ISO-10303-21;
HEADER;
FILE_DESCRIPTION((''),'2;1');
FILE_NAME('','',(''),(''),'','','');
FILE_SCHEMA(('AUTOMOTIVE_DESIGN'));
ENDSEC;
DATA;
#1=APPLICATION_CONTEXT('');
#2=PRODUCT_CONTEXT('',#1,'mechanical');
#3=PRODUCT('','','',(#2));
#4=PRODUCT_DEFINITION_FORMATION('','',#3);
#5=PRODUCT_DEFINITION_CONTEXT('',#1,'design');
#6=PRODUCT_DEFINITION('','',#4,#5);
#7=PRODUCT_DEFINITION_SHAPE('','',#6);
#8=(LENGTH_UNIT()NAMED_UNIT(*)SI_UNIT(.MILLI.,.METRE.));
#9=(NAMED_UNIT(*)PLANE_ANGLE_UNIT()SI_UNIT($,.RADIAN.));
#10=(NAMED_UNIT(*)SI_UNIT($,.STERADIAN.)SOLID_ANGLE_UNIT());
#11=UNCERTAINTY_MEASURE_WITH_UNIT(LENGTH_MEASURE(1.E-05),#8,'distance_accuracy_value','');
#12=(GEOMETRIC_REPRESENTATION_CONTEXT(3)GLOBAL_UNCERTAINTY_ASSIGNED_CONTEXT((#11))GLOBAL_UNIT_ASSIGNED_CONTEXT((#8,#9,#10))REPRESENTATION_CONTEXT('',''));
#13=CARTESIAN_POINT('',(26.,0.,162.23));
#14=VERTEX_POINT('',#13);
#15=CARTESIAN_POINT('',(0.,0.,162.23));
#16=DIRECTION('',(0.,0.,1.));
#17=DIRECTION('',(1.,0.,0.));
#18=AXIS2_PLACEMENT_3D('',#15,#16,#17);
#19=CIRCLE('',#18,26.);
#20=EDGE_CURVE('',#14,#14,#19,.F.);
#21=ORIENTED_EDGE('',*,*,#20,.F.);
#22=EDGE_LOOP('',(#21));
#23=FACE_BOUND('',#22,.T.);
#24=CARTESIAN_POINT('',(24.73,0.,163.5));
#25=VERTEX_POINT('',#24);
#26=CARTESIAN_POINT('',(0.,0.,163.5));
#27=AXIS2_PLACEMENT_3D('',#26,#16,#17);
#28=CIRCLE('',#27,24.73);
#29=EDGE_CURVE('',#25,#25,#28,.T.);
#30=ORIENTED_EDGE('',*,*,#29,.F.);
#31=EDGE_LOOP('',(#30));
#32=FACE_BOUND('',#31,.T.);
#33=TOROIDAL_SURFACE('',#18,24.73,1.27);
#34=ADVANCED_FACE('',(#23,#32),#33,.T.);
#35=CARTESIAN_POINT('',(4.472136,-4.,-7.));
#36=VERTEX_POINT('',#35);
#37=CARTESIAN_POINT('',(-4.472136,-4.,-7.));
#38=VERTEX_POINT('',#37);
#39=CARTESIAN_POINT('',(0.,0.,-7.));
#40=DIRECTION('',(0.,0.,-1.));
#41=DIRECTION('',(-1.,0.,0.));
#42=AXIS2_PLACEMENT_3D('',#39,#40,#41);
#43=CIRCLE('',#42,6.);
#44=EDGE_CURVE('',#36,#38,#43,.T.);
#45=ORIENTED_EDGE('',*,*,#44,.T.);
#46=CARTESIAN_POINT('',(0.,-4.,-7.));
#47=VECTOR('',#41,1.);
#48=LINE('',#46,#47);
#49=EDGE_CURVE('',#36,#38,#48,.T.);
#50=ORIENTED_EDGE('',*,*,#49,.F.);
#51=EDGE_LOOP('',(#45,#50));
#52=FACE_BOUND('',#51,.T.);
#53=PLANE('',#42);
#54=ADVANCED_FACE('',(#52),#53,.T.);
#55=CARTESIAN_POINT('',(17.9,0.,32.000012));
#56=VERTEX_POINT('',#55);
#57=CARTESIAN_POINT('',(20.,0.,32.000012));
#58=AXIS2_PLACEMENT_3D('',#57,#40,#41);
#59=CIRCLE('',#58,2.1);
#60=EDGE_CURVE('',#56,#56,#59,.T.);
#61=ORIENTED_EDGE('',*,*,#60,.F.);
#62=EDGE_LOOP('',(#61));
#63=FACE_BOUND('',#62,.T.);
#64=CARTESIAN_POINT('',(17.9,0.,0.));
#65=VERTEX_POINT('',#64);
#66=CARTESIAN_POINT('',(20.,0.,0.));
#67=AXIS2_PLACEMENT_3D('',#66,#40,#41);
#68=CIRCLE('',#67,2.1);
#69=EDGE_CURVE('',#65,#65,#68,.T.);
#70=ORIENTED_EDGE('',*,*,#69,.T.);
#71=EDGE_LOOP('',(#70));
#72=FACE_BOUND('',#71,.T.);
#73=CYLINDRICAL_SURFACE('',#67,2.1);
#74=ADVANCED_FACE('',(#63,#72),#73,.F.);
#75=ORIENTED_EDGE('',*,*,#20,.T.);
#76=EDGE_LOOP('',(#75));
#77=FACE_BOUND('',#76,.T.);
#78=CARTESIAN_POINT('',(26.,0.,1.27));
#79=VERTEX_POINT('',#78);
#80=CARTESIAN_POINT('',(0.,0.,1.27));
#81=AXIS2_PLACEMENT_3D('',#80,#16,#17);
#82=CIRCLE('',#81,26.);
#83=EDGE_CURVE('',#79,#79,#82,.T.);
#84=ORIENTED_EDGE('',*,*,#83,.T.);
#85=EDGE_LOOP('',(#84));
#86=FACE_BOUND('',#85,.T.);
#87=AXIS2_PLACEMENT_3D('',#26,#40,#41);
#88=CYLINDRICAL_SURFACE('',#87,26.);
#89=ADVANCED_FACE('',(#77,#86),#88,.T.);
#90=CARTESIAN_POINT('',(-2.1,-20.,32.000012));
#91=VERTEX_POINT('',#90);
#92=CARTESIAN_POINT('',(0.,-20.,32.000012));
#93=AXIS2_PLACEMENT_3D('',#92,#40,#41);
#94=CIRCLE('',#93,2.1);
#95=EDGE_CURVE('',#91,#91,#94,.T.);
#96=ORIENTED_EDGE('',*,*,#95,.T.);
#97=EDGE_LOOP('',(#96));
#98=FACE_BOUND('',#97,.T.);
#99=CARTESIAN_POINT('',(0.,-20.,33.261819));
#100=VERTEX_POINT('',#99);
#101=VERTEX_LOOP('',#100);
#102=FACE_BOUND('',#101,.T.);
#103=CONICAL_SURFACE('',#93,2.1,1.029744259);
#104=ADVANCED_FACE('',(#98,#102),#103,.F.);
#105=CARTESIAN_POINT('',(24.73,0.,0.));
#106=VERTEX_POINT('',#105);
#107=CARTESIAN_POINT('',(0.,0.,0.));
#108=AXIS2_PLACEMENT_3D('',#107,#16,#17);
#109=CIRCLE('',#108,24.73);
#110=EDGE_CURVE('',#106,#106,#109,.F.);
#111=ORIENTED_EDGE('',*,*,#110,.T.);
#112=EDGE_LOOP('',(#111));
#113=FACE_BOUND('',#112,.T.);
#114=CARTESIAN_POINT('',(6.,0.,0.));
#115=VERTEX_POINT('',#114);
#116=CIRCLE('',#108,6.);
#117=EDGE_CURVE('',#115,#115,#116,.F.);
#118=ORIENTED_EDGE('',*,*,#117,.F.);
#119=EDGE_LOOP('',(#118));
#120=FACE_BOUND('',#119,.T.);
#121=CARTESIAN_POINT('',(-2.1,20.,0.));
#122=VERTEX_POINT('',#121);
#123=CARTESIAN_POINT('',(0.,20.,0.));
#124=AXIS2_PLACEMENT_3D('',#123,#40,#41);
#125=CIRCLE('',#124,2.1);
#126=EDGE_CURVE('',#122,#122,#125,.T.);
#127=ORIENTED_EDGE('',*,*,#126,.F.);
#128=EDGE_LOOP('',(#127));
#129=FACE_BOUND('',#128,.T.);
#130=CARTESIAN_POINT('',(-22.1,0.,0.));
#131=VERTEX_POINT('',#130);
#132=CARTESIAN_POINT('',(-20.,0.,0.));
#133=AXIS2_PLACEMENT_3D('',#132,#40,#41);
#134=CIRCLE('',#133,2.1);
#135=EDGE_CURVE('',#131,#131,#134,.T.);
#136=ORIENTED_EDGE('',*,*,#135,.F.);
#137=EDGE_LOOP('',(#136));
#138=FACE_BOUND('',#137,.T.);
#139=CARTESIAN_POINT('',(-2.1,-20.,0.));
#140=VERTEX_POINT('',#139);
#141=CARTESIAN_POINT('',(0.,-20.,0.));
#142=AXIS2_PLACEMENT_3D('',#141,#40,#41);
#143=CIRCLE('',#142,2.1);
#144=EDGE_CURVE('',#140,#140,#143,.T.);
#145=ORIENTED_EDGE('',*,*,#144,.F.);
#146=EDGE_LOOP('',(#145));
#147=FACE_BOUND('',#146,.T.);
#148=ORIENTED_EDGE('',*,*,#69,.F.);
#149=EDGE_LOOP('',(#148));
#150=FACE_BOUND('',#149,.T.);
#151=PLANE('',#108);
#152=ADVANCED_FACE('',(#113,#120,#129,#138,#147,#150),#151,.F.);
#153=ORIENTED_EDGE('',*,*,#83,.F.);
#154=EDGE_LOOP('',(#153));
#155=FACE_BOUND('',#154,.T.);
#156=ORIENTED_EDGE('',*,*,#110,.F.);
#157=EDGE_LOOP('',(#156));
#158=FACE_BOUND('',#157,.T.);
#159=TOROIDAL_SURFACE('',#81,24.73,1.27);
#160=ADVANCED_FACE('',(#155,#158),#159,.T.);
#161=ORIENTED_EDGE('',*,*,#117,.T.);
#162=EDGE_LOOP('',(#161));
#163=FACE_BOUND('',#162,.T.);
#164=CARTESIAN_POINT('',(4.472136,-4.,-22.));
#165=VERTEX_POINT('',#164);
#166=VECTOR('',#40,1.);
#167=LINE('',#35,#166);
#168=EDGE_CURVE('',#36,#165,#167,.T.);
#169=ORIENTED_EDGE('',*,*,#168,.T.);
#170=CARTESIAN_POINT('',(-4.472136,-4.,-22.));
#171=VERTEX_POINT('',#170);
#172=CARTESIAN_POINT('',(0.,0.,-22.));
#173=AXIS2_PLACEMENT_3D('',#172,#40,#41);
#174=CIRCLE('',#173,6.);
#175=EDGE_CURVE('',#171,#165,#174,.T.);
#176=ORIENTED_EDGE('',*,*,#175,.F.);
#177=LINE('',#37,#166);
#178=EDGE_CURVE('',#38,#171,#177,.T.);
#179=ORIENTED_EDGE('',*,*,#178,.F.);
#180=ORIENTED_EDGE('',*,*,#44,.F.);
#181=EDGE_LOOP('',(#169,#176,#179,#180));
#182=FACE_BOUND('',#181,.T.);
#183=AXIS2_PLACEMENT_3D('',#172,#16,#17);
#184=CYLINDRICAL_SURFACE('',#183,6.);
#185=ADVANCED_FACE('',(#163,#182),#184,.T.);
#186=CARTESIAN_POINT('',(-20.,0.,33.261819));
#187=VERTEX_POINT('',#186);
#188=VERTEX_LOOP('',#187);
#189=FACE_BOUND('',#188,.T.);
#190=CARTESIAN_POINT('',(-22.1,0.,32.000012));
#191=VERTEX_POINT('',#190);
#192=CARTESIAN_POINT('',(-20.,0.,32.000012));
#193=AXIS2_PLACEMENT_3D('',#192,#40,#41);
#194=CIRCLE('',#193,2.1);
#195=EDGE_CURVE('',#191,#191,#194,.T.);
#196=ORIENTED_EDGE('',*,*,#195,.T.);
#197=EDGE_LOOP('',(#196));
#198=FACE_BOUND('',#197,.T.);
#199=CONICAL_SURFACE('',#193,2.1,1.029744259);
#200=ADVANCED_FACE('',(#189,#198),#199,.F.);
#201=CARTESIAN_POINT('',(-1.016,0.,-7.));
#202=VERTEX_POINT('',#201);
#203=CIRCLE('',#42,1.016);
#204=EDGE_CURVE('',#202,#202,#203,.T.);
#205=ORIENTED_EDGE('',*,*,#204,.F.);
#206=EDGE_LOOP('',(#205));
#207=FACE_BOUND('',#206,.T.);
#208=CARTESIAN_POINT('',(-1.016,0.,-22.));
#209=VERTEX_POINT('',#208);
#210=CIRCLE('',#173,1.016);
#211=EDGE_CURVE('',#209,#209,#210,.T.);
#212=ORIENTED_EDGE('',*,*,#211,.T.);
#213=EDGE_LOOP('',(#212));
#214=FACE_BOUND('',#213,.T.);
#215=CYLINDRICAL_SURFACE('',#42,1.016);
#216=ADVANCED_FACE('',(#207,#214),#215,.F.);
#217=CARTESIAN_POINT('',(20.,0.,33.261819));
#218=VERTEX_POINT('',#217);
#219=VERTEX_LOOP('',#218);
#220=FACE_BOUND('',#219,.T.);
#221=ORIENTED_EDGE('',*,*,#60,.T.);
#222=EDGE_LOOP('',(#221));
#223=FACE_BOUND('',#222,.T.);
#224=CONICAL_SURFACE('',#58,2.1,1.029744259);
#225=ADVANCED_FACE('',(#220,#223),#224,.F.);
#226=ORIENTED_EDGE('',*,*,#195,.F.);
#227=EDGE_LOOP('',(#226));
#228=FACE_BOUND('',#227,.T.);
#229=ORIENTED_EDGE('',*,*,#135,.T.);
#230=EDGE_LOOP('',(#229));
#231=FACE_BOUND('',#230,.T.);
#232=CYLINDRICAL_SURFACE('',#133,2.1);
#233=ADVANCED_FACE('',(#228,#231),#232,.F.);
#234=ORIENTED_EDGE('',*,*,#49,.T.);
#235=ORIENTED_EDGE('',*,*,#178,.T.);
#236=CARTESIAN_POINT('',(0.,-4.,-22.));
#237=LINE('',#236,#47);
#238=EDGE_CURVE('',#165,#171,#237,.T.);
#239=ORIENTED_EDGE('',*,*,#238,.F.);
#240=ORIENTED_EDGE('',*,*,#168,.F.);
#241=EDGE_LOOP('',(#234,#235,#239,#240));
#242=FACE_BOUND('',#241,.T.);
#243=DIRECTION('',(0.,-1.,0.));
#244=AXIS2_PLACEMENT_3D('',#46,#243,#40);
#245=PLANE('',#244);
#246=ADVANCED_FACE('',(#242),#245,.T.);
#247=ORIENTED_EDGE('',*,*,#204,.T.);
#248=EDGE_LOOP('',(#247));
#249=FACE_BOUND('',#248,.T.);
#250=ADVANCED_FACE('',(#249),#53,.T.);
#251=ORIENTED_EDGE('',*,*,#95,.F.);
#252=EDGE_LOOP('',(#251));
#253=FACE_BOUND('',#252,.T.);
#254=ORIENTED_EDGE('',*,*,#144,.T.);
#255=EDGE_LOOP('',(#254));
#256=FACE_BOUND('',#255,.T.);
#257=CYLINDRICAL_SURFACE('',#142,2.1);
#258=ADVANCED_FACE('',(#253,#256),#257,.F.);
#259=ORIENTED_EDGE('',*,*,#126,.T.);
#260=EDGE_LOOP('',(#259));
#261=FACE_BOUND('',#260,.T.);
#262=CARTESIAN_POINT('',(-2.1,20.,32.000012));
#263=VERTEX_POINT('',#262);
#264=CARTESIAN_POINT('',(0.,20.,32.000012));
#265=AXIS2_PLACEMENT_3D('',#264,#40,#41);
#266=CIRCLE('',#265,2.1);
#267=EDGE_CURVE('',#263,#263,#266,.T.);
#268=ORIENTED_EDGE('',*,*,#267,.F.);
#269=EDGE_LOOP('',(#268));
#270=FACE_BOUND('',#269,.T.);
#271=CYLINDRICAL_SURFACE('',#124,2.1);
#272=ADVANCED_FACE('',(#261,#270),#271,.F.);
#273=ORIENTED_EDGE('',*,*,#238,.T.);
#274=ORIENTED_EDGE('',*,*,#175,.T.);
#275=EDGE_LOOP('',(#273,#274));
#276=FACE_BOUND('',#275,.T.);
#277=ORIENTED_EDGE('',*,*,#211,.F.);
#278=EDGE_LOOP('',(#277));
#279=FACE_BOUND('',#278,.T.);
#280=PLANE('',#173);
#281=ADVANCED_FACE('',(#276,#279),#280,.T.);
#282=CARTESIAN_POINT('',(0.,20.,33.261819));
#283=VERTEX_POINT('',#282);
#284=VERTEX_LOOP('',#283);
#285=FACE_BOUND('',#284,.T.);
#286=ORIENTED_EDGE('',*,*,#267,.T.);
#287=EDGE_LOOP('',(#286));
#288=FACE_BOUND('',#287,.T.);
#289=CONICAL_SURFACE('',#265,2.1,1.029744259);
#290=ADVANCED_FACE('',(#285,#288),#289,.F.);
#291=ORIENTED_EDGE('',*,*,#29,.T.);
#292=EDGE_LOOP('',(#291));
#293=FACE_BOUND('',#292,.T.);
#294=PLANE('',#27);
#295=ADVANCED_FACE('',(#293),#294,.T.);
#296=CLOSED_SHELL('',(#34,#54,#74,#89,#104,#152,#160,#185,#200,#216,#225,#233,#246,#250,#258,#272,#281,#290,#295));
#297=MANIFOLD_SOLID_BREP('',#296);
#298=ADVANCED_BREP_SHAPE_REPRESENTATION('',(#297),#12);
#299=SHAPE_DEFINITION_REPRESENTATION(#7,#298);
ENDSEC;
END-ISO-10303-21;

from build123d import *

# Parameters (mm, degrees)
SKETCH1_R                 = 26
BODY_DEPTH                = 163.5
SKETCH2_R                 = 6
AXLE_DEPTH                = 22
FLAT_START                = -15
SKETCH3_R                 = 1.016
FLAT_DEPTH                = 15
M5X0_8_TAPPED_HOLE1_D     = 4.2
M5X0_8_TAPPED_HOLE1_DEPTH = 32.0000122
M5X0_8_TAPPED_HOLE1_TIP   = 1.2618073
FILLET1_R                 = 1.27


with BuildPart() as part:
    # Sketch1 → body (new body)
    with BuildSketch(Plane.XY):
        Circle(SKETCH1_R)
    extrude(amount=BODY_DEPTH)

    # Sketch2 → axle (add)
    with BuildSketch(Plane(origin=(0, 0, 0), x_dir=(-1, 0, 0), z_dir=(0, 0, -1))):
        with Locations(Location((0, 0, 0), (0, 0, 180))):
            Circle(SKETCH2_R)
    extrude(amount=AXLE_DEPTH)

    # Sketch3 → flat (cut)
    with BuildSketch(Plane(origin=(0, 0, -22), x_dir=(-1, 0, 0), z_dir=(0, 0, -1)).offset(FLAT_START)):
        with BuildLine():
            Line((4.472135955, -4), (-4.472135955, -4))
            ThreePointArc((-4.472135955, -4), (0, -6), (4.472135955, -4))
        make_face()
        Circle(SKETCH3_R)
    extrude(amount=FLAT_DEPTH, mode=Mode.SUBTRACT)

    # M5x0.8 Tapped Hole1
    with Locations(Plane(origin=(0, 0, 0), x_dir=(-1, 0, 0), z_dir=(0, 0, -1))):
        with Locations((0, -20), (-20, 0), (0, 20), (20, 0)):
            Hole(M5X0_8_TAPPED_HOLE1_D / 2, depth=M5X0_8_TAPPED_HOLE1_DEPTH)
            with Locations((0, 0, -(M5X0_8_TAPPED_HOLE1_DEPTH + M5X0_8_TAPPED_HOLE1_TIP / 2))):  # 118° drill point
                Cone(0, M5X0_8_TAPPED_HOLE1_D / 2, M5X0_8_TAPPED_HOLE1_TIP, mode=Mode.SUBTRACT)

    # Fillet1
    fillet1_edges = [part.edges().sort_by_distance(p)[0] for p in [
        (-26, 0, 0),
        (-26, 0, 163.5),
    ]]
    fillet(fillet1_edges, radius=FILLET1_R)


solid = part.part
